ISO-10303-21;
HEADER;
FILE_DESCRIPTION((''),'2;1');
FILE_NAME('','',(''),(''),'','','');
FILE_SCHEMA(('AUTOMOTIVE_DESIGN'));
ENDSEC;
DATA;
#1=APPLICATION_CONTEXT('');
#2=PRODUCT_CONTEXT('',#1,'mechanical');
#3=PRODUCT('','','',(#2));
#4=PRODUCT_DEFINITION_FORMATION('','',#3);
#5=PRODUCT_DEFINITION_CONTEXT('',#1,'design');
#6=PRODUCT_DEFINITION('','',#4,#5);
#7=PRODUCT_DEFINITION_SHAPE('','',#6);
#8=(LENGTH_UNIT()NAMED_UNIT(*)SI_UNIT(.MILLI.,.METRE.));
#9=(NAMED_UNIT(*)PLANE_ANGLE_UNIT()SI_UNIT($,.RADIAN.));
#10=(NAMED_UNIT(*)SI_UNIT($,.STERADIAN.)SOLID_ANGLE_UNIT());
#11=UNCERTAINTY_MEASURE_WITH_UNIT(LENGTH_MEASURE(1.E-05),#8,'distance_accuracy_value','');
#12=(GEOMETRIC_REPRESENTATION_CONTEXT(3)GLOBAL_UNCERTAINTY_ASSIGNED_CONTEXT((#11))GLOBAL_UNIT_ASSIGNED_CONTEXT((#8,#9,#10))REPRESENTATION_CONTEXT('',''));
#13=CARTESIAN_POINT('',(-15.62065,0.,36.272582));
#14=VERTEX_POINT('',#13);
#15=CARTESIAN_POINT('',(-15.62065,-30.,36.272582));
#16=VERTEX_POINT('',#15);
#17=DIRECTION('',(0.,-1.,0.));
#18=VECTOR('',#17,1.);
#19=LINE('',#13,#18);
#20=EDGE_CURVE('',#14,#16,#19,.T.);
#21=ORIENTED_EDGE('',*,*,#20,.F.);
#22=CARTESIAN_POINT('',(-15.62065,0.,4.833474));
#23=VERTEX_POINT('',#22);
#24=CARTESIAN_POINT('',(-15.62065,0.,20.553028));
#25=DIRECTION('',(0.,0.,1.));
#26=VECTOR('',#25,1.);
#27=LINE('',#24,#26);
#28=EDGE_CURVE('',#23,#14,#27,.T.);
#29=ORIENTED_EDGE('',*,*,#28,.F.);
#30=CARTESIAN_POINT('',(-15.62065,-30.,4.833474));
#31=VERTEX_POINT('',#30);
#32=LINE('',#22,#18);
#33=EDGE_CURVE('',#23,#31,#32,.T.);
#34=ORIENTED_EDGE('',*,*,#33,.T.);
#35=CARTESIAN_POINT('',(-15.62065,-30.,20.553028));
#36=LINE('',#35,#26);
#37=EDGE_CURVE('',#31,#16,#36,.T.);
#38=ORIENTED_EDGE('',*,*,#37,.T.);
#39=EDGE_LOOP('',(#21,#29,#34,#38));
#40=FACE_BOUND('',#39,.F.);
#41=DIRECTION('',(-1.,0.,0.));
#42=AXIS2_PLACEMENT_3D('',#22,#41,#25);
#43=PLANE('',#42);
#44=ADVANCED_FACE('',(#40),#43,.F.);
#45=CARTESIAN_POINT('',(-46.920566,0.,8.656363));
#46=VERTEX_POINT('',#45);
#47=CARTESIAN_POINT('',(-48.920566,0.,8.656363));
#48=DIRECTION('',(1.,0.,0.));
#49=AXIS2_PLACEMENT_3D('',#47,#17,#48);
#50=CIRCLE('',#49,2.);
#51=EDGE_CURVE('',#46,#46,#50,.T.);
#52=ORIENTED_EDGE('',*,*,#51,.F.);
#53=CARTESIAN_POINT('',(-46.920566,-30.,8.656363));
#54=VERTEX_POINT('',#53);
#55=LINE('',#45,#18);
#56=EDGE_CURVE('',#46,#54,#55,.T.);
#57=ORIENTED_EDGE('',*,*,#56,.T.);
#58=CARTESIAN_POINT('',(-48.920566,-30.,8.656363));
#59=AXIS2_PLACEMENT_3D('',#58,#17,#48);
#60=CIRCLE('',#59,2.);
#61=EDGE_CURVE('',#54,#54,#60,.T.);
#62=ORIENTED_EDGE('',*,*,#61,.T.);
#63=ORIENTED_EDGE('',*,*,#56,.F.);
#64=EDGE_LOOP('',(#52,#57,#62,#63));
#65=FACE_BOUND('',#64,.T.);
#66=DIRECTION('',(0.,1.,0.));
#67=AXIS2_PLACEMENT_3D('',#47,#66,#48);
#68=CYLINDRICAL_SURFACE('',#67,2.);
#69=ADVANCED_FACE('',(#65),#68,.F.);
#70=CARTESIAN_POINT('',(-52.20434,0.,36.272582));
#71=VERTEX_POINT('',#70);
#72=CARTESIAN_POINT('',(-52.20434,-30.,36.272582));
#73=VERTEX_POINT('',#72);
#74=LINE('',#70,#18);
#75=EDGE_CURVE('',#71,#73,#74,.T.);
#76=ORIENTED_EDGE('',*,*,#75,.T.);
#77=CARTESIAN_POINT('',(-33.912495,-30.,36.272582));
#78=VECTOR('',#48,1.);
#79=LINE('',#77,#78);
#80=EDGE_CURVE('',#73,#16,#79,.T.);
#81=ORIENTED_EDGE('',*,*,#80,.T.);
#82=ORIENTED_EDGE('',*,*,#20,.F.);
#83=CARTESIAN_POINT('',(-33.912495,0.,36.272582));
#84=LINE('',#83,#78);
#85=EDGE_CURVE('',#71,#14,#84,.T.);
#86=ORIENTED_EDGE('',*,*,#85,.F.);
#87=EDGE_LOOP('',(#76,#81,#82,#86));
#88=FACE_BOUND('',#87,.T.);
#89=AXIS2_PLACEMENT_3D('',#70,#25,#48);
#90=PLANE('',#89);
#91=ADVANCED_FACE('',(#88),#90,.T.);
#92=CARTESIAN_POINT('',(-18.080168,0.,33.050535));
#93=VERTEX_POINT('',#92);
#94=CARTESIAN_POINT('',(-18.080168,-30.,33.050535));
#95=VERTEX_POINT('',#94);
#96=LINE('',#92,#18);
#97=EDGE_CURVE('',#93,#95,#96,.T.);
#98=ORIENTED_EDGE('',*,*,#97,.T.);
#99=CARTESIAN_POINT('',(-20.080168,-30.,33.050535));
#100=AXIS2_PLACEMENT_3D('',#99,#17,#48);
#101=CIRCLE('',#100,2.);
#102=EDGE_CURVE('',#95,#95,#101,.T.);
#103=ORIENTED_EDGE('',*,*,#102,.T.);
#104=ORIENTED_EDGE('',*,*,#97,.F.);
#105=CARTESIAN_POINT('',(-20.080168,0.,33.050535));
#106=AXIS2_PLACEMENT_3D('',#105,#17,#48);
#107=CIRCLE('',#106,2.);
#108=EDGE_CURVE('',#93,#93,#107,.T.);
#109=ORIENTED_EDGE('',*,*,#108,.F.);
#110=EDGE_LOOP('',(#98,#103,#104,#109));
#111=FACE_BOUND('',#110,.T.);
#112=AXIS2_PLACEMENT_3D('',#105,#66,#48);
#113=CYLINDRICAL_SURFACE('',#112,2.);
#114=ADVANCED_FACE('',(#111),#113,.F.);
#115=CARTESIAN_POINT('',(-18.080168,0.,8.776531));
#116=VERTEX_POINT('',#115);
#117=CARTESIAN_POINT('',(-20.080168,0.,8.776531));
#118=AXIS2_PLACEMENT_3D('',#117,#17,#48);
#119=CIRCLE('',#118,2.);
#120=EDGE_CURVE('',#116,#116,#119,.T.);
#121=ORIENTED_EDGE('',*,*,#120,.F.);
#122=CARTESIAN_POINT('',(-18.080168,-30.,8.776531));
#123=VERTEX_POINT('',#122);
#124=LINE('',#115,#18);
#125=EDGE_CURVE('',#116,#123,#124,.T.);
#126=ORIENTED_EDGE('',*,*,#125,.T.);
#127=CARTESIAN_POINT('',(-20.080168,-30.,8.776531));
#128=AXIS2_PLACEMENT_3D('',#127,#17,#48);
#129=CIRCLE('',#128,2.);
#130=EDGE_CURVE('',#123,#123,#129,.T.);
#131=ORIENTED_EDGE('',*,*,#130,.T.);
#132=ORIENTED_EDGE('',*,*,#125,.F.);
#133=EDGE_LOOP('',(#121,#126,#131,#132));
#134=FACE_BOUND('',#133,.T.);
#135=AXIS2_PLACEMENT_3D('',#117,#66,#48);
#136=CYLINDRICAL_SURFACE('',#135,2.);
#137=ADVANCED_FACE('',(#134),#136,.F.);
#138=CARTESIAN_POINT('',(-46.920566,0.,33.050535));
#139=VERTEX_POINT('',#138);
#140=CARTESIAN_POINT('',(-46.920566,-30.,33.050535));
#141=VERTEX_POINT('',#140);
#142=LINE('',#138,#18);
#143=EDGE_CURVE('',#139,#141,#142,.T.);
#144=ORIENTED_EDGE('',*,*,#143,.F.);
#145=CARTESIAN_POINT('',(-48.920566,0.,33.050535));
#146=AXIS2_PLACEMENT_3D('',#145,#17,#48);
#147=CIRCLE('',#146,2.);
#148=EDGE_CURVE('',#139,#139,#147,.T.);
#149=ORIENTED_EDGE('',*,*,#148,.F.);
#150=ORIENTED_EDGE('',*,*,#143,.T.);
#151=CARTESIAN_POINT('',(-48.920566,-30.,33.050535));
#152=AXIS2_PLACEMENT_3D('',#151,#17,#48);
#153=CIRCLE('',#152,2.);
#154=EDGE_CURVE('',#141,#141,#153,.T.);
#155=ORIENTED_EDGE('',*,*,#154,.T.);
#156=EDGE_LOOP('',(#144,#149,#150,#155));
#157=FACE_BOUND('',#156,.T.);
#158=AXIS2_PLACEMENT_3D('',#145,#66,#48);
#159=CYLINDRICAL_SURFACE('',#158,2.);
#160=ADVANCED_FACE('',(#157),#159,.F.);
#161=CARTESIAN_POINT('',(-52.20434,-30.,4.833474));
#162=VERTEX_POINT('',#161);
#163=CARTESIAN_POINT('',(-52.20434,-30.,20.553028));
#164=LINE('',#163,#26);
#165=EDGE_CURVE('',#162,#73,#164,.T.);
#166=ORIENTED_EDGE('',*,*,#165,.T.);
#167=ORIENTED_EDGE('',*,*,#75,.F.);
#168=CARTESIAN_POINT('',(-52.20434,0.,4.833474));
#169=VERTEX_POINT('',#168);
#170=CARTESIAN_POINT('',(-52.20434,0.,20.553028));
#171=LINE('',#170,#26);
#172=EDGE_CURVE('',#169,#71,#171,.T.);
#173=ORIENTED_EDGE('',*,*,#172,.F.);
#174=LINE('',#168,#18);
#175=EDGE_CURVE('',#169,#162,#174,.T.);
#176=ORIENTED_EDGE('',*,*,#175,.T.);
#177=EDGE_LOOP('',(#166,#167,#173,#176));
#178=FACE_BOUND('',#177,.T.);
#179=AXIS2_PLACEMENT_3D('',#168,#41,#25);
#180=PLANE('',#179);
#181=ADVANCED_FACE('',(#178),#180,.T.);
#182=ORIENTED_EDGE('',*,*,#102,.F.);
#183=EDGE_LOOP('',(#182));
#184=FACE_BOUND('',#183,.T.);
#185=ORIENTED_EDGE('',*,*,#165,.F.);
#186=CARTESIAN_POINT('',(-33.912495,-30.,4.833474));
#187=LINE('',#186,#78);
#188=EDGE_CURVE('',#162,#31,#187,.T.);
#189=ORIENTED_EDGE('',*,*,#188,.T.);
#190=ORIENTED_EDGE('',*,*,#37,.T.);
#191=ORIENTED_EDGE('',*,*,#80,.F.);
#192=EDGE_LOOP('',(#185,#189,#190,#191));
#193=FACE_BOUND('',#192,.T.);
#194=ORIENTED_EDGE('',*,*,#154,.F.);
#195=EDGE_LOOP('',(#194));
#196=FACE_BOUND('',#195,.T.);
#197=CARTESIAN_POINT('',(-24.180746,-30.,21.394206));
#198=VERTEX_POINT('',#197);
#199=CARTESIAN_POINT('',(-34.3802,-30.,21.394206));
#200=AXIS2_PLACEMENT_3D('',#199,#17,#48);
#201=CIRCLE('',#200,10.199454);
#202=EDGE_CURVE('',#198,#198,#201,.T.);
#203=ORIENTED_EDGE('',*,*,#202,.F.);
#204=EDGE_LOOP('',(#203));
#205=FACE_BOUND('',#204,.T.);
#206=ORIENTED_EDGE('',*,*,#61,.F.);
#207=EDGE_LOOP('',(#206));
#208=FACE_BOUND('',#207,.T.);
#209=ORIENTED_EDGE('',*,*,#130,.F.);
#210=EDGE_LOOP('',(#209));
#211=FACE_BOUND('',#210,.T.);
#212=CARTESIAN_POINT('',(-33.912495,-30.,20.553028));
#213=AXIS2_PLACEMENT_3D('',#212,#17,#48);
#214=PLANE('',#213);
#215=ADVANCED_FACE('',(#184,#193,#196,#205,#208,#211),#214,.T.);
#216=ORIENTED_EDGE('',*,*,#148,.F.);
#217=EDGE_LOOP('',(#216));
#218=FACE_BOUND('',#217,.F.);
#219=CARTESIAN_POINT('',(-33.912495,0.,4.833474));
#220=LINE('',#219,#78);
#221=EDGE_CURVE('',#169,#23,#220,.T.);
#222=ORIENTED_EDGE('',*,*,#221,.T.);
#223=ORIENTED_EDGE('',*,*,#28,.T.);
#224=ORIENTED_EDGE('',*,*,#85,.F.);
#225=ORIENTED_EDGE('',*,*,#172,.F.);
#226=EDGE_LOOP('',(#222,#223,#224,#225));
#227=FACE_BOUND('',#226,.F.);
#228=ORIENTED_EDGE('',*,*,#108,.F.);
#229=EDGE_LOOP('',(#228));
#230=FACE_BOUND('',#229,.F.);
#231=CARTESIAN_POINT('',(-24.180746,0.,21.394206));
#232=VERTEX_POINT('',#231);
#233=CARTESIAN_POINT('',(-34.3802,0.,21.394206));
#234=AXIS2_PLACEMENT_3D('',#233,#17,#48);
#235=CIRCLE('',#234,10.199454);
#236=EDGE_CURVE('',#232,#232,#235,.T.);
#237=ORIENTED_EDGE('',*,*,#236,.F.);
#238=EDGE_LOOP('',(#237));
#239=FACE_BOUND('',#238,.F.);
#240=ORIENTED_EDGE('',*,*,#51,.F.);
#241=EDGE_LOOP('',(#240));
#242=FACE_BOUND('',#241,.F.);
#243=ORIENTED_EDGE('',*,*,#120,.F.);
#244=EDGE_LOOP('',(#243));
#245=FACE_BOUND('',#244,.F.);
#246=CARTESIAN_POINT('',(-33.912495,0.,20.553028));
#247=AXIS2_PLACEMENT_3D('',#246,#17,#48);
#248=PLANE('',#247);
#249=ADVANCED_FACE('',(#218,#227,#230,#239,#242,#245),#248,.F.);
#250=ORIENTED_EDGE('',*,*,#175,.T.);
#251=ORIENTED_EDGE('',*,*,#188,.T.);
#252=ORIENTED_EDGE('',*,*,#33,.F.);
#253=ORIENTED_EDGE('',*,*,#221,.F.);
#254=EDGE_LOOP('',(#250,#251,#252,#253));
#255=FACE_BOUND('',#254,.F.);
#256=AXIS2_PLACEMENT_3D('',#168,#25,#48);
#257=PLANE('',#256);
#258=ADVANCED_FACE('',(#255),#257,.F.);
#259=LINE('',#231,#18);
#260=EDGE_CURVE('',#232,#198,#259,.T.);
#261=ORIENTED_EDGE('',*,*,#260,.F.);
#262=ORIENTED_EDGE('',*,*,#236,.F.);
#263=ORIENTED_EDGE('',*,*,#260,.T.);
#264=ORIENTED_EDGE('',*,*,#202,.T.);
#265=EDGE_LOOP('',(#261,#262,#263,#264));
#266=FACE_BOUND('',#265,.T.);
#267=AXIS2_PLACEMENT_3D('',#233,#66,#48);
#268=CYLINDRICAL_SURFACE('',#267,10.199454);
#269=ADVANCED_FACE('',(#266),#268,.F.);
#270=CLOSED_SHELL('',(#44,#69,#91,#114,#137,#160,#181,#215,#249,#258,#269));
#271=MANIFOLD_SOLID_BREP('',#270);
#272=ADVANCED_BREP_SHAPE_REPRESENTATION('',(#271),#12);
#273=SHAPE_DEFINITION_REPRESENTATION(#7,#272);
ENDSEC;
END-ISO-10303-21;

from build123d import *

# Parameters (mm, degrees)
F0_W     = 36.583689
F0_H     = 31.439108
F0_R     = 2
F0_R_2   = 10.199454
F1_DEPTH = 30


with BuildPart() as f1:
    # F0 (on Front) → F1 (new body)
    with BuildSketch(Plane.XZ):
        with Locations((-33.912495, 20.553028)):
            Rectangle(F0_W, F0_H)
        with Locations((-48.920566, 8.656363)):
            Circle(F0_R, mode=Mode.SUBTRACT)
        with Locations((-20.080168, 8.776531)):
            Circle(F0_R, mode=Mode.SUBTRACT)
        with Locations((-34.3802, 21.394206)):
            Circle(F0_R_2, mode=Mode.SUBTRACT)
        with Locations((-48.920566, 33.050535)):
            Circle(F0_R, mode=Mode.SUBTRACT)
        with Locations((-20.080168, 33.050535)):
            Circle(F0_R, mode=Mode.SUBTRACT)
    extrude(amount=F1_DEPTH)


solid = f1.part
